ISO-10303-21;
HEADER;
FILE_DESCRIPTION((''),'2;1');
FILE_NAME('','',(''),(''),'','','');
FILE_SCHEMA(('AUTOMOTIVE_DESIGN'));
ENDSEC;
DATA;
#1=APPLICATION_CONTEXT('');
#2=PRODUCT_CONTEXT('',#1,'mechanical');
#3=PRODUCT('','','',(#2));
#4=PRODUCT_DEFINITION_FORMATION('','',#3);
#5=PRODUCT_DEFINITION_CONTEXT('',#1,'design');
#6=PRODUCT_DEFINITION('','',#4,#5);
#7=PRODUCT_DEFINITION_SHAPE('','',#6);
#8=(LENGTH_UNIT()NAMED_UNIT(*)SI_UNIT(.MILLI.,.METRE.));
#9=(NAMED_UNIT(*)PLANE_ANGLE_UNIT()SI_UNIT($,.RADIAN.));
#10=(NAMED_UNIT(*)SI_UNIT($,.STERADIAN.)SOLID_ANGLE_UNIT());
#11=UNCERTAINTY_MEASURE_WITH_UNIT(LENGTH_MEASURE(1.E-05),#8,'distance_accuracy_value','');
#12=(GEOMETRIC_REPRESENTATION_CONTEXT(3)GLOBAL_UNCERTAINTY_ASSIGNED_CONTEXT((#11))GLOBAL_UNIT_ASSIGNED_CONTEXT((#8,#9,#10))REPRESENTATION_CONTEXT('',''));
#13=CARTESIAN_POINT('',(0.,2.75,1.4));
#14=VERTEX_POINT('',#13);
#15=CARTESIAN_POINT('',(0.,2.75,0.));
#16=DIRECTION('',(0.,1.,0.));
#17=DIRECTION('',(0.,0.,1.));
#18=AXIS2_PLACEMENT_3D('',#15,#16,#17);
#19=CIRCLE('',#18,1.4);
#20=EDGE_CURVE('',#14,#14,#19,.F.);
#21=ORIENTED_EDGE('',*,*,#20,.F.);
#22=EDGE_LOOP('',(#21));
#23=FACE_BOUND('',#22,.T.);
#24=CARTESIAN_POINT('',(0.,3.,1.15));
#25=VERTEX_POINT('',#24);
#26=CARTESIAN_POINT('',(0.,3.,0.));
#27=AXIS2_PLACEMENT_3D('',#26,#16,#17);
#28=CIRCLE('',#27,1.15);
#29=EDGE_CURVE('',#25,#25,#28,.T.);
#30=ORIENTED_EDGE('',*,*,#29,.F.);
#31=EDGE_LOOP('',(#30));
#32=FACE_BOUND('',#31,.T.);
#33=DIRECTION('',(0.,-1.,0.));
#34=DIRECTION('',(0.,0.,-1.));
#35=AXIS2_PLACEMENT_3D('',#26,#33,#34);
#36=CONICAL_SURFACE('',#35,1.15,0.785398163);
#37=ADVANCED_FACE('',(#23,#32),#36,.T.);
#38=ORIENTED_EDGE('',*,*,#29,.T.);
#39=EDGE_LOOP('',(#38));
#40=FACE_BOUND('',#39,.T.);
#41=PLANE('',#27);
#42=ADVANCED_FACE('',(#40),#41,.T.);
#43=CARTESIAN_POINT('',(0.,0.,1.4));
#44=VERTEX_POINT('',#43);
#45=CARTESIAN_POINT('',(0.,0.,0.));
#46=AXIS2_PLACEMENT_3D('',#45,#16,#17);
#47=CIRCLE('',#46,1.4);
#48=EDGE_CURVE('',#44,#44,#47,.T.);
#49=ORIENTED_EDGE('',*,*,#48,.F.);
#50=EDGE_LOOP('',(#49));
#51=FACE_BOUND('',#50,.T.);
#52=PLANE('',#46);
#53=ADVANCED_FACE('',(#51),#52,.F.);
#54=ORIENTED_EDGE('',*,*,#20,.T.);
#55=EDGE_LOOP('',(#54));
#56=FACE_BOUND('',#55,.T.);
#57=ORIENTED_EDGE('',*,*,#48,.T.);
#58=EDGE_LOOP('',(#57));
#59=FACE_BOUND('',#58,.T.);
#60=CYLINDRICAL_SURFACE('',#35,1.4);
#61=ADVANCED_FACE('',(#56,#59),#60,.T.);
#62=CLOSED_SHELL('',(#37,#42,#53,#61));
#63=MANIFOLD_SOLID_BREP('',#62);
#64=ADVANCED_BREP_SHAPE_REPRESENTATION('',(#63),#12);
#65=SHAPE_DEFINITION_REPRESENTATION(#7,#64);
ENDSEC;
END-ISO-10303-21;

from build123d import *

# Parameters (mm, degrees)
SKETCH1_R           = 1.4
BOSS_EXTRUDE1_DEPTH = 3
CHAMFER1_SIZE       = 0.25


with BuildPart() as part:
    # Sketch1 → Boss-Extrude1 (new body)
    with BuildSketch(Plane(origin=(0, 0, 0), x_dir=(1, 0, 0), z_dir=(0, 1, 0))):
        Circle(SKETCH1_R)
    extrude(amount=BOSS_EXTRUDE1_DEPTH)

    # Chamfer1
    chamfer1_edges = [part.edges().sort_by_distance(p)[0] for p in [
        (-1.4, 3, 0),
    ]]
    chamfer(chamfer1_edges, length=CHAMFER1_SIZE)


solid = part.part
